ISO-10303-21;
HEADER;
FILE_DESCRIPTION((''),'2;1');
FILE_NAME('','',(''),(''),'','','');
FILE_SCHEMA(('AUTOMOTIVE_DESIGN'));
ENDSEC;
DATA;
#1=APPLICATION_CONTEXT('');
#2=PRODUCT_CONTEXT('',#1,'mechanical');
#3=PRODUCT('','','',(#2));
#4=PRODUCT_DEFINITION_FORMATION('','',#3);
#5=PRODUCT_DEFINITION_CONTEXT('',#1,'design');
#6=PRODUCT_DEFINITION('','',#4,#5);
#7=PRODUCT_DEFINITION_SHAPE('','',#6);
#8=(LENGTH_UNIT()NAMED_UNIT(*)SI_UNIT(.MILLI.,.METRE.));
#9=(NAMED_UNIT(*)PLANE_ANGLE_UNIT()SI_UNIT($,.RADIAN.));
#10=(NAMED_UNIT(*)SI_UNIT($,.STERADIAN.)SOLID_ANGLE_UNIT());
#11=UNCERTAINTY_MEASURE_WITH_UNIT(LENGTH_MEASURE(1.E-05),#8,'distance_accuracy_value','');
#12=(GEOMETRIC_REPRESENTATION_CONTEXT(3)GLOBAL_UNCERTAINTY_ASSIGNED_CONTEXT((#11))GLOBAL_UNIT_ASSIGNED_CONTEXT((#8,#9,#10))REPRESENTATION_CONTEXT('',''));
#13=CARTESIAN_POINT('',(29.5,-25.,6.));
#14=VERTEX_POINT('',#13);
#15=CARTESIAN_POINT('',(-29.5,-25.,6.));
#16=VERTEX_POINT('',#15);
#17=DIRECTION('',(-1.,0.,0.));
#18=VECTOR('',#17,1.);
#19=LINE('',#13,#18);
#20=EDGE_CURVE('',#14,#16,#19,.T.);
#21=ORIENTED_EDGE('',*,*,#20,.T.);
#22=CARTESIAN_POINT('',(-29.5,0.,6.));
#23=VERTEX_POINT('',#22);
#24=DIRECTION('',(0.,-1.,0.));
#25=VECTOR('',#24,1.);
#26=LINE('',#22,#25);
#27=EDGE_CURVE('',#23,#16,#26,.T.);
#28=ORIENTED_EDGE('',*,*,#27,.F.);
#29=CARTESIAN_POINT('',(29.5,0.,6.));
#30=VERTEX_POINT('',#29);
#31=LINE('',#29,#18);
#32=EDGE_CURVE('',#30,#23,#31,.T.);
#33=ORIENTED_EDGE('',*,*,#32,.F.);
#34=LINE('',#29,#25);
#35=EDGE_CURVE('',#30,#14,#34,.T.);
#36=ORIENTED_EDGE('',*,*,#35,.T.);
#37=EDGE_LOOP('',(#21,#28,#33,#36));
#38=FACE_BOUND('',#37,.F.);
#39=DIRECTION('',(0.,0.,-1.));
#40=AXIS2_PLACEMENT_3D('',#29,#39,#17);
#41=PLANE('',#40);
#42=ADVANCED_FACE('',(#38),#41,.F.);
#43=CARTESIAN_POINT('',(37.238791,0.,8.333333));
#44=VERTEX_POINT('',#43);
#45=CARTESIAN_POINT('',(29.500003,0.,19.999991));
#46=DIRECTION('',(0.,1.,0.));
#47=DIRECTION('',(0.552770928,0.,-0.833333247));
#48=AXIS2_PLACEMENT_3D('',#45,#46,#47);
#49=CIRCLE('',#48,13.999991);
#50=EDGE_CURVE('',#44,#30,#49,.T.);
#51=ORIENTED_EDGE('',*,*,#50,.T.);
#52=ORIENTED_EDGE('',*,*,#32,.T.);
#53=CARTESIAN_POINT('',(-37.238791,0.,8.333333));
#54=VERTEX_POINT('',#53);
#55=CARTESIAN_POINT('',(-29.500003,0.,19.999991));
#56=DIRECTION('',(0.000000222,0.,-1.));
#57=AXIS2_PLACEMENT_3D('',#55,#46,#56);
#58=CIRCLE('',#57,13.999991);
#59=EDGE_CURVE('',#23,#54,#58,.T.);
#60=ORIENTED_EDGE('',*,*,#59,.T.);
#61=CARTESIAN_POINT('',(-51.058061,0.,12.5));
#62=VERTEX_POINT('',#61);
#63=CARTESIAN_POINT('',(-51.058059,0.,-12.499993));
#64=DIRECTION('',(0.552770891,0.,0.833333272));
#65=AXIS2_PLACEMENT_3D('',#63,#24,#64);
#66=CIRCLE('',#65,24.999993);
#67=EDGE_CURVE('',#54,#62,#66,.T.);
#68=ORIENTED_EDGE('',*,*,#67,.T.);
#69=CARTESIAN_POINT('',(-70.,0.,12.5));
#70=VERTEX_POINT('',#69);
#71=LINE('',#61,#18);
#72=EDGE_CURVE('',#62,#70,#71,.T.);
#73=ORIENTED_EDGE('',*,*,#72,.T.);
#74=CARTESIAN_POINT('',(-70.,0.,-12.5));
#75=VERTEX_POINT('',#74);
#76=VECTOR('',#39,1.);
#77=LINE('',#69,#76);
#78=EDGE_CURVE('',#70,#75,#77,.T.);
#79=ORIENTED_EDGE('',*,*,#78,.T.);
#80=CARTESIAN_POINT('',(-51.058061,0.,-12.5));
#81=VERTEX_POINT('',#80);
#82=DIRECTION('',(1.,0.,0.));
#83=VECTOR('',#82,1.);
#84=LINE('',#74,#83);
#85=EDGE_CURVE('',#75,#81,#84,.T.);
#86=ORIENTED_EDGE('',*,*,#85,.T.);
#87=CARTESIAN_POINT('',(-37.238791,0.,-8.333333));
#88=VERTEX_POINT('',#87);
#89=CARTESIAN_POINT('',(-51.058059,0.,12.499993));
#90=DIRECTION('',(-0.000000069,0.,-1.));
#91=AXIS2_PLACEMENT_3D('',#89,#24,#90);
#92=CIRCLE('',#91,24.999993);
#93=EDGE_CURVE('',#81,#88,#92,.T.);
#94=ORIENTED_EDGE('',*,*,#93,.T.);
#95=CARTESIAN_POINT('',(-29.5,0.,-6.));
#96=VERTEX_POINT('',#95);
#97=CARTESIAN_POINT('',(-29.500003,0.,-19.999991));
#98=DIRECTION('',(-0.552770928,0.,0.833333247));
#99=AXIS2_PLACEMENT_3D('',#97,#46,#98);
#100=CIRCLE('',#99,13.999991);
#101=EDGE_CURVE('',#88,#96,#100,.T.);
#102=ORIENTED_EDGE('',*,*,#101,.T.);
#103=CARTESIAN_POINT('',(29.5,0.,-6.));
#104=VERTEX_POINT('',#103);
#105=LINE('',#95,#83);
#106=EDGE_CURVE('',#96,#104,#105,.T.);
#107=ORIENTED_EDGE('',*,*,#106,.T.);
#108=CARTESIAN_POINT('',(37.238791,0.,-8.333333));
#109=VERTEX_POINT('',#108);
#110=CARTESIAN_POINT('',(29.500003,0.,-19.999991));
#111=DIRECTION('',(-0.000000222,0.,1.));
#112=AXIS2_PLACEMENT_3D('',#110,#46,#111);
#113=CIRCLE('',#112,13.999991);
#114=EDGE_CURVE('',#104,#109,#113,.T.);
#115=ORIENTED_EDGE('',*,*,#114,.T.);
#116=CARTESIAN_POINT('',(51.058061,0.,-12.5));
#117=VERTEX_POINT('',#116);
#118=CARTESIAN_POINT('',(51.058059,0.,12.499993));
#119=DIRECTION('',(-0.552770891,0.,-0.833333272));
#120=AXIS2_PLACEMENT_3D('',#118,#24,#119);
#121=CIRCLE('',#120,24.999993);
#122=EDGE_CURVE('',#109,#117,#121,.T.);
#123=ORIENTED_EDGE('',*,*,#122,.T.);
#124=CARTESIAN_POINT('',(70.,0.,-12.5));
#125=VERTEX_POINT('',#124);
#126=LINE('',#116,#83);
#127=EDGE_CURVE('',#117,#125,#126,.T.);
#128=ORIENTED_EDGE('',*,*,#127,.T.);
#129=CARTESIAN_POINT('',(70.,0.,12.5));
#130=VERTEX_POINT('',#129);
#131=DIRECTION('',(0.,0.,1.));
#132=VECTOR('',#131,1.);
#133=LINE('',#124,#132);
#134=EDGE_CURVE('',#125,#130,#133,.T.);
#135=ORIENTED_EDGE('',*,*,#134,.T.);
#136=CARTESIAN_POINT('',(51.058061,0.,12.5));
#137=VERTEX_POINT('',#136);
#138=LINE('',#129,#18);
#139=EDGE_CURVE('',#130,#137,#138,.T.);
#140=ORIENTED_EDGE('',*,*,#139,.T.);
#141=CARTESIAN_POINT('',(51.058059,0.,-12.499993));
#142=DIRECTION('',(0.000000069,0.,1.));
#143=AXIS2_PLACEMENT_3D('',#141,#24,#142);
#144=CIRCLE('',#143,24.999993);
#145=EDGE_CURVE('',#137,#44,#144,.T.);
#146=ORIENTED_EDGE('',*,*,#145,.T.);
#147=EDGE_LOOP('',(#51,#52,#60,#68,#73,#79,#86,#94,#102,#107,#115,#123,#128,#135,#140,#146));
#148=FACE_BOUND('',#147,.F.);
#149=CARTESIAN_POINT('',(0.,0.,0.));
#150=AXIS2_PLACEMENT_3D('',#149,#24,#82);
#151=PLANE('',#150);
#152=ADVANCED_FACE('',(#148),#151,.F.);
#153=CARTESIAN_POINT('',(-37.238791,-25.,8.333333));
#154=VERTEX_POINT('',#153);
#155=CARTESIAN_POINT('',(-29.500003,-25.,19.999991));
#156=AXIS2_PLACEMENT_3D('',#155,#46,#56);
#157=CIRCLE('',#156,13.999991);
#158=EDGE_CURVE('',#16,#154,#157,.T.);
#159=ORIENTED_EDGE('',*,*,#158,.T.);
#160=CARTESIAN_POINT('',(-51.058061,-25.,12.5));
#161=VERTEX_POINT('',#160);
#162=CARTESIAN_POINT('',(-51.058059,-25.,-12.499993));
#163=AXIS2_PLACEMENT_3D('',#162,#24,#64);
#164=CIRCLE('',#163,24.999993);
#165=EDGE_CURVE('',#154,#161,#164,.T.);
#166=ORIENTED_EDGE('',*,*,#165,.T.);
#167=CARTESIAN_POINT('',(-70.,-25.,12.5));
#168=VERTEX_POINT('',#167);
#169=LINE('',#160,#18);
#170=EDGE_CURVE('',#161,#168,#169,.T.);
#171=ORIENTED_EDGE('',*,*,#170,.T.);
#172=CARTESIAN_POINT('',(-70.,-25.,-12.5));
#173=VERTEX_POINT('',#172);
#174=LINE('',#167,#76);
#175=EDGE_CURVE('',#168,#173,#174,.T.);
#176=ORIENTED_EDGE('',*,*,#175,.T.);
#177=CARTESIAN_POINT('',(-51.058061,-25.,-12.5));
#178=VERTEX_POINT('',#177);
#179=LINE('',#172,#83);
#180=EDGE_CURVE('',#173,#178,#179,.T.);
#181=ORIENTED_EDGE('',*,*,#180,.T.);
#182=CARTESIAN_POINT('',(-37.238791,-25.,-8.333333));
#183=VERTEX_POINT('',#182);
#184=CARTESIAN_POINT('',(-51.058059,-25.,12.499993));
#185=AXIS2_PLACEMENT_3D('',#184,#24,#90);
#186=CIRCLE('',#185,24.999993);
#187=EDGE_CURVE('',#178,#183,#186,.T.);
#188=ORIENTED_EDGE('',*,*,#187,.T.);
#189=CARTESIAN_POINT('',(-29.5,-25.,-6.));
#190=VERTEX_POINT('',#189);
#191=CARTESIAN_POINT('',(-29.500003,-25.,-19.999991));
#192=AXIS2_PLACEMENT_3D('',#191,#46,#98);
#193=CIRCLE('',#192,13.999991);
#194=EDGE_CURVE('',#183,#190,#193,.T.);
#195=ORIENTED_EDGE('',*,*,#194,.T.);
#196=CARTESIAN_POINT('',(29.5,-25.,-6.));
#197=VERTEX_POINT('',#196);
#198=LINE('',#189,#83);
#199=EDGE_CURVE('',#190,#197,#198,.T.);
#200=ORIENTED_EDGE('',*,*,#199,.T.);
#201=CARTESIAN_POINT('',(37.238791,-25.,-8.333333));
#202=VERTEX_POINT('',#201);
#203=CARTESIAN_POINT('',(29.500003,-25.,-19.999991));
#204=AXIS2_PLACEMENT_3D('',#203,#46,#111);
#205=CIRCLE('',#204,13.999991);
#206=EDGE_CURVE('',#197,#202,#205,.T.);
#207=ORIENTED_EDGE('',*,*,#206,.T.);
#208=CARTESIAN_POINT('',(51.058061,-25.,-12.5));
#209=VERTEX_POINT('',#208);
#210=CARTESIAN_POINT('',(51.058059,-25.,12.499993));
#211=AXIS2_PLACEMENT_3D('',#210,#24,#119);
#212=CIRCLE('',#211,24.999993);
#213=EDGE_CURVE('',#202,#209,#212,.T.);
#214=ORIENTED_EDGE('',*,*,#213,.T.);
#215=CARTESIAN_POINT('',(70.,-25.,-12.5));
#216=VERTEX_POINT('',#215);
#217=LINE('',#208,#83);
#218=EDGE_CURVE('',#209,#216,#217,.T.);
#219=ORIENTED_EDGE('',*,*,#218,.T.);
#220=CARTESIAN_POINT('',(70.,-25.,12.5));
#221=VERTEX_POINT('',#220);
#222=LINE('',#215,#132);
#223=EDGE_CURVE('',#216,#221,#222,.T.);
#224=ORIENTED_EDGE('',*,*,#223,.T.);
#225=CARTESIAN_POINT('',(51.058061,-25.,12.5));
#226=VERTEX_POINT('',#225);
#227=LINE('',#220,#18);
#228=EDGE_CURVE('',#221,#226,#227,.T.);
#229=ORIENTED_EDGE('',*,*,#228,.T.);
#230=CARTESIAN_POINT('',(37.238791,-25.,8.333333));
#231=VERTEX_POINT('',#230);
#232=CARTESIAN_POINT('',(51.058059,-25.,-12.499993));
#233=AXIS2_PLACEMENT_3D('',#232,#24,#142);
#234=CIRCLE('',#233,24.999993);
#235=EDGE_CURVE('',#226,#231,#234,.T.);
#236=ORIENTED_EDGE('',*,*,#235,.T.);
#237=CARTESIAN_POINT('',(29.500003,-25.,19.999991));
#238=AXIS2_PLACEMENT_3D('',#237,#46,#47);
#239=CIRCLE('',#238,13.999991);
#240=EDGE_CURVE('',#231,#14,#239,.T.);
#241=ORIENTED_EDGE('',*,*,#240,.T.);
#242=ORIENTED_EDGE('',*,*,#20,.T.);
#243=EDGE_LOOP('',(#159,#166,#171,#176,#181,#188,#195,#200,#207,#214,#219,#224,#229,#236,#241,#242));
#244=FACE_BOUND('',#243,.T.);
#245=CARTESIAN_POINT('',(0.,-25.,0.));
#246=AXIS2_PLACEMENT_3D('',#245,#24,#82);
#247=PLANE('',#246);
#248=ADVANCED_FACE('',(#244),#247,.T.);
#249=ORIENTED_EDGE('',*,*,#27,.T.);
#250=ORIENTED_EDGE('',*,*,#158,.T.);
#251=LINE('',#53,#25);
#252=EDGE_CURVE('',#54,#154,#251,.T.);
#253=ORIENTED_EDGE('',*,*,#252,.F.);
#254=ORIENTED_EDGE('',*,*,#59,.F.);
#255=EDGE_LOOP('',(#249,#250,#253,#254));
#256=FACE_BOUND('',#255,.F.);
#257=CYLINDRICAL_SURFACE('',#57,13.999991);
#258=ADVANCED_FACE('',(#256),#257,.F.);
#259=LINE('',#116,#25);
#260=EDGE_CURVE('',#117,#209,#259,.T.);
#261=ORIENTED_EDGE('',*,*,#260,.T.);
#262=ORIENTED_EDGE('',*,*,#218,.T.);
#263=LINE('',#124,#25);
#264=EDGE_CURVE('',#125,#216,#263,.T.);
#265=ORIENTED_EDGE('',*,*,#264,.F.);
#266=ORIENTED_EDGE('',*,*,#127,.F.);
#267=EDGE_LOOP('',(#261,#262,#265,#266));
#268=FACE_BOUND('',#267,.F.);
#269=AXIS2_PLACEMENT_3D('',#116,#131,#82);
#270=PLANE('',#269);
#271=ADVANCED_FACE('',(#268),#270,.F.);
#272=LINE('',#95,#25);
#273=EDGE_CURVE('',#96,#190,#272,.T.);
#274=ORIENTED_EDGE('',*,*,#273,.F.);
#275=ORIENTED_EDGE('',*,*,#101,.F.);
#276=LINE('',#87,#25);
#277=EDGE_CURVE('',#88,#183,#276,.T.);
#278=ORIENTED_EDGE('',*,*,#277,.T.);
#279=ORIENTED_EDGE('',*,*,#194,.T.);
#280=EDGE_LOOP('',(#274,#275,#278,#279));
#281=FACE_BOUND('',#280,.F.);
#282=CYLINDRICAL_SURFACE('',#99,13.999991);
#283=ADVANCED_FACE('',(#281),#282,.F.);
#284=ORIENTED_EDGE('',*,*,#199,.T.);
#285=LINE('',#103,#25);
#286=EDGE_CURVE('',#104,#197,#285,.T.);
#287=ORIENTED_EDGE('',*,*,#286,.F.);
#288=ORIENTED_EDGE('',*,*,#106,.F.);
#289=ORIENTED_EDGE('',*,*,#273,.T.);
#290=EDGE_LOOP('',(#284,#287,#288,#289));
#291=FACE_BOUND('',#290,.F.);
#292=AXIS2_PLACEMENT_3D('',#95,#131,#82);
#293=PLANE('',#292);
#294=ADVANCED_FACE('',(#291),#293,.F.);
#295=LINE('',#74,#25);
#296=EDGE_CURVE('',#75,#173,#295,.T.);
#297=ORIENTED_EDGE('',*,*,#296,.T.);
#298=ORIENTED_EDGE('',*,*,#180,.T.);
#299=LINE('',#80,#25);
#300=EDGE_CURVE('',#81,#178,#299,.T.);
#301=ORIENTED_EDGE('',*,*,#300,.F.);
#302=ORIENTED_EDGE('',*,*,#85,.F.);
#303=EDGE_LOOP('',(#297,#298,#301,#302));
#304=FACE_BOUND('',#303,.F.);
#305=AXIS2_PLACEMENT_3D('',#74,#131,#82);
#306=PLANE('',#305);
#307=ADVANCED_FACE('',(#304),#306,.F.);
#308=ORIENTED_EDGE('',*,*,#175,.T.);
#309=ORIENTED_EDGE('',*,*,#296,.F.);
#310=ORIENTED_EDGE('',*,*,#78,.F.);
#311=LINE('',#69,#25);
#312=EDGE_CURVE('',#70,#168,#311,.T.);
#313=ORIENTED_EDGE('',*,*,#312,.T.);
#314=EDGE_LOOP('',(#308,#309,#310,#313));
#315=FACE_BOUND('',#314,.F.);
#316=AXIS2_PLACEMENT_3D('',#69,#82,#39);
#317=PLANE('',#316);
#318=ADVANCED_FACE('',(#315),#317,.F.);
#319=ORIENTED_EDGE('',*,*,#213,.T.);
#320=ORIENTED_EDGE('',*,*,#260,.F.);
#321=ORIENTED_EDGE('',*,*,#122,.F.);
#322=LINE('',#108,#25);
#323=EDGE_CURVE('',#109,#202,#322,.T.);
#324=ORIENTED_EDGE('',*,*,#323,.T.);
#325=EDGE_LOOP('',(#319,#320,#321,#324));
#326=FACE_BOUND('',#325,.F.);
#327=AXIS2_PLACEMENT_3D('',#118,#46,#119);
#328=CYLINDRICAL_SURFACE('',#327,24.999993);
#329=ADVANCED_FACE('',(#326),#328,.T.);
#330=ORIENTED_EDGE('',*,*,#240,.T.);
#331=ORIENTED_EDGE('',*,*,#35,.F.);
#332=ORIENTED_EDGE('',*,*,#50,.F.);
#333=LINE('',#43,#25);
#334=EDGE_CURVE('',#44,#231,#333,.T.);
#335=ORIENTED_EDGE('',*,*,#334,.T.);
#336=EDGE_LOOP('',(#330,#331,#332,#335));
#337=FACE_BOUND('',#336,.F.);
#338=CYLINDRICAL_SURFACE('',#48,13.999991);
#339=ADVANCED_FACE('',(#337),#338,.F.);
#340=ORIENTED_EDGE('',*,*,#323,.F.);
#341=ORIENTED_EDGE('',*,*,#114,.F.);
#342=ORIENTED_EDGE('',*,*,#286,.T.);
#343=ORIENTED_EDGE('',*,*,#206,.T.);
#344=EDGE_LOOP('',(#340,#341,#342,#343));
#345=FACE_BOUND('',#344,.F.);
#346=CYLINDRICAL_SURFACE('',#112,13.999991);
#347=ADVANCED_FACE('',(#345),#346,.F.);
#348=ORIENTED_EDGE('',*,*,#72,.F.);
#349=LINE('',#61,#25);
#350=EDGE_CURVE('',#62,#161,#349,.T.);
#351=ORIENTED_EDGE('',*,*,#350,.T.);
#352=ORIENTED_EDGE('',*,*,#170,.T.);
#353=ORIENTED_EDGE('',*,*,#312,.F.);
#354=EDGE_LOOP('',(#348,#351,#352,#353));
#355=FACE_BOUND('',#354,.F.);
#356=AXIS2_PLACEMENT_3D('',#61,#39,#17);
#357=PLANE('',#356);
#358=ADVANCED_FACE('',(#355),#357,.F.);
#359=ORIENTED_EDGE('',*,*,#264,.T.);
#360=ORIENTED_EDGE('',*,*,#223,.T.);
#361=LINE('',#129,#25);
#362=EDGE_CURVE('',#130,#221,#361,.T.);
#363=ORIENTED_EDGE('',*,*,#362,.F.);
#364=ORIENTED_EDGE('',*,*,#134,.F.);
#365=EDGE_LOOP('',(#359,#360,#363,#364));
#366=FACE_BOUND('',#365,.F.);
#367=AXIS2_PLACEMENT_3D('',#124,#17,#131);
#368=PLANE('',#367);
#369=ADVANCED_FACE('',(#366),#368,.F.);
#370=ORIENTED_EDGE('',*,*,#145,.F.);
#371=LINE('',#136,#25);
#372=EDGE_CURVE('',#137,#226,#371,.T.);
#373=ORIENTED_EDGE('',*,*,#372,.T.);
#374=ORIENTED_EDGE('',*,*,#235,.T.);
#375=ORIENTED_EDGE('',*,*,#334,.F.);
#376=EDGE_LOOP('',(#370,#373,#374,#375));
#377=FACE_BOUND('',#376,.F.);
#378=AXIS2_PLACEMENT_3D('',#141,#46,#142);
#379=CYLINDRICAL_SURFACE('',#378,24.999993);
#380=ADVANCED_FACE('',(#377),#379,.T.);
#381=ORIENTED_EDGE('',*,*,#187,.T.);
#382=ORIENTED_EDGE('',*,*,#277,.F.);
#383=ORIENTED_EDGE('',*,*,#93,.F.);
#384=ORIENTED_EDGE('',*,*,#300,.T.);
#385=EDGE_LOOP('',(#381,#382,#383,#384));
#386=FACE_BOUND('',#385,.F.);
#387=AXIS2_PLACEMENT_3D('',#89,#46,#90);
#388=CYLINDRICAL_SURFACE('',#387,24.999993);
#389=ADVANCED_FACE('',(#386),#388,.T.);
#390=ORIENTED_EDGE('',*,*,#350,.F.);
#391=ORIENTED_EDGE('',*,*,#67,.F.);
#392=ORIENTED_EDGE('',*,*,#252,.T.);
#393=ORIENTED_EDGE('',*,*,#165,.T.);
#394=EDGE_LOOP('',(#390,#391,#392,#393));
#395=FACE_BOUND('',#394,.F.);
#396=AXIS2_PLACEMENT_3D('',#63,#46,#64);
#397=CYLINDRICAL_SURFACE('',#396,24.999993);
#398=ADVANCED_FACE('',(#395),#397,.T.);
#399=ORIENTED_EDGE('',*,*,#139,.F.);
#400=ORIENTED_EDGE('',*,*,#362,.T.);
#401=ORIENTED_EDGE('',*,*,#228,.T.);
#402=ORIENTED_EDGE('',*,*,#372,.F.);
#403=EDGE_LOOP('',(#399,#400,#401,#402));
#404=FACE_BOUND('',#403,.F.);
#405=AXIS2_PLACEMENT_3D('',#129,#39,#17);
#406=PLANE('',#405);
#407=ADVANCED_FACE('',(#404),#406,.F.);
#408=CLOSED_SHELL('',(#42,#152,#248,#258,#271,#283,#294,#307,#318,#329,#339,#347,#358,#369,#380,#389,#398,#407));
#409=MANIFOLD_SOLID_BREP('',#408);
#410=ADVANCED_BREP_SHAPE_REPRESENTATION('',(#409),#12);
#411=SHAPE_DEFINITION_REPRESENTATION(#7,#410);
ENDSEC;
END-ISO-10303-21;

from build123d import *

# Parameters (mm, degrees)
F1_DEPTH = 25


with BuildPart() as f1:
    # F0 (on Front) → F1 (new body)
    with BuildSketch(Plane.XZ):
        with BuildLine():
            Line((-29.5, -6), (29.5, -6))
            ThreePointArc((29.5, -6), (33.541452, -6.59602), (37.238791, -8.333333))
            ThreePointArc((37.238791, -8.333333), (43.841183, -11.435678), (51.058061, -12.5))
            Line((51.058061, -12.5), (70, -12.5))
            Line((70, -12.5), (70, 0))
            Line((70, 0), (70, 12.5))
            Line((70, 12.5), (51.058061, 12.5))
            ThreePointArc((51.058061, 12.5), (43.841183, 11.435678), (37.238791, 8.333333))
            ThreePointArc((37.238791, 8.333333), (33.541452, 6.59602), (29.5, 6))
            Line((29.5, 6), (-29.5, 6))
            ThreePointArc((-29.5, 6), (-33.541452, 6.59602), (-37.238791, 8.333333))
            ThreePointArc((-37.238791, 8.333333), (-43.841183, 11.435678), (-51.058061, 12.5))
            Line((-51.058061, 12.5), (-70, 12.5))
            Line((-70, 12.5), (-70, 0))
            Line((-70, 0), (-70, -12.5))
            Line((-70, -12.5), (-51.058061, -12.5))
            ThreePointArc((-51.058061, -12.5), (-43.841183, -11.435678), (-37.238791, -8.333333))
            ThreePointArc((-37.238791, -8.333333), (-33.541452, -6.59602), (-29.5, -6))
        make_face()
    extrude(amount=F1_DEPTH)


solid = f1.part
